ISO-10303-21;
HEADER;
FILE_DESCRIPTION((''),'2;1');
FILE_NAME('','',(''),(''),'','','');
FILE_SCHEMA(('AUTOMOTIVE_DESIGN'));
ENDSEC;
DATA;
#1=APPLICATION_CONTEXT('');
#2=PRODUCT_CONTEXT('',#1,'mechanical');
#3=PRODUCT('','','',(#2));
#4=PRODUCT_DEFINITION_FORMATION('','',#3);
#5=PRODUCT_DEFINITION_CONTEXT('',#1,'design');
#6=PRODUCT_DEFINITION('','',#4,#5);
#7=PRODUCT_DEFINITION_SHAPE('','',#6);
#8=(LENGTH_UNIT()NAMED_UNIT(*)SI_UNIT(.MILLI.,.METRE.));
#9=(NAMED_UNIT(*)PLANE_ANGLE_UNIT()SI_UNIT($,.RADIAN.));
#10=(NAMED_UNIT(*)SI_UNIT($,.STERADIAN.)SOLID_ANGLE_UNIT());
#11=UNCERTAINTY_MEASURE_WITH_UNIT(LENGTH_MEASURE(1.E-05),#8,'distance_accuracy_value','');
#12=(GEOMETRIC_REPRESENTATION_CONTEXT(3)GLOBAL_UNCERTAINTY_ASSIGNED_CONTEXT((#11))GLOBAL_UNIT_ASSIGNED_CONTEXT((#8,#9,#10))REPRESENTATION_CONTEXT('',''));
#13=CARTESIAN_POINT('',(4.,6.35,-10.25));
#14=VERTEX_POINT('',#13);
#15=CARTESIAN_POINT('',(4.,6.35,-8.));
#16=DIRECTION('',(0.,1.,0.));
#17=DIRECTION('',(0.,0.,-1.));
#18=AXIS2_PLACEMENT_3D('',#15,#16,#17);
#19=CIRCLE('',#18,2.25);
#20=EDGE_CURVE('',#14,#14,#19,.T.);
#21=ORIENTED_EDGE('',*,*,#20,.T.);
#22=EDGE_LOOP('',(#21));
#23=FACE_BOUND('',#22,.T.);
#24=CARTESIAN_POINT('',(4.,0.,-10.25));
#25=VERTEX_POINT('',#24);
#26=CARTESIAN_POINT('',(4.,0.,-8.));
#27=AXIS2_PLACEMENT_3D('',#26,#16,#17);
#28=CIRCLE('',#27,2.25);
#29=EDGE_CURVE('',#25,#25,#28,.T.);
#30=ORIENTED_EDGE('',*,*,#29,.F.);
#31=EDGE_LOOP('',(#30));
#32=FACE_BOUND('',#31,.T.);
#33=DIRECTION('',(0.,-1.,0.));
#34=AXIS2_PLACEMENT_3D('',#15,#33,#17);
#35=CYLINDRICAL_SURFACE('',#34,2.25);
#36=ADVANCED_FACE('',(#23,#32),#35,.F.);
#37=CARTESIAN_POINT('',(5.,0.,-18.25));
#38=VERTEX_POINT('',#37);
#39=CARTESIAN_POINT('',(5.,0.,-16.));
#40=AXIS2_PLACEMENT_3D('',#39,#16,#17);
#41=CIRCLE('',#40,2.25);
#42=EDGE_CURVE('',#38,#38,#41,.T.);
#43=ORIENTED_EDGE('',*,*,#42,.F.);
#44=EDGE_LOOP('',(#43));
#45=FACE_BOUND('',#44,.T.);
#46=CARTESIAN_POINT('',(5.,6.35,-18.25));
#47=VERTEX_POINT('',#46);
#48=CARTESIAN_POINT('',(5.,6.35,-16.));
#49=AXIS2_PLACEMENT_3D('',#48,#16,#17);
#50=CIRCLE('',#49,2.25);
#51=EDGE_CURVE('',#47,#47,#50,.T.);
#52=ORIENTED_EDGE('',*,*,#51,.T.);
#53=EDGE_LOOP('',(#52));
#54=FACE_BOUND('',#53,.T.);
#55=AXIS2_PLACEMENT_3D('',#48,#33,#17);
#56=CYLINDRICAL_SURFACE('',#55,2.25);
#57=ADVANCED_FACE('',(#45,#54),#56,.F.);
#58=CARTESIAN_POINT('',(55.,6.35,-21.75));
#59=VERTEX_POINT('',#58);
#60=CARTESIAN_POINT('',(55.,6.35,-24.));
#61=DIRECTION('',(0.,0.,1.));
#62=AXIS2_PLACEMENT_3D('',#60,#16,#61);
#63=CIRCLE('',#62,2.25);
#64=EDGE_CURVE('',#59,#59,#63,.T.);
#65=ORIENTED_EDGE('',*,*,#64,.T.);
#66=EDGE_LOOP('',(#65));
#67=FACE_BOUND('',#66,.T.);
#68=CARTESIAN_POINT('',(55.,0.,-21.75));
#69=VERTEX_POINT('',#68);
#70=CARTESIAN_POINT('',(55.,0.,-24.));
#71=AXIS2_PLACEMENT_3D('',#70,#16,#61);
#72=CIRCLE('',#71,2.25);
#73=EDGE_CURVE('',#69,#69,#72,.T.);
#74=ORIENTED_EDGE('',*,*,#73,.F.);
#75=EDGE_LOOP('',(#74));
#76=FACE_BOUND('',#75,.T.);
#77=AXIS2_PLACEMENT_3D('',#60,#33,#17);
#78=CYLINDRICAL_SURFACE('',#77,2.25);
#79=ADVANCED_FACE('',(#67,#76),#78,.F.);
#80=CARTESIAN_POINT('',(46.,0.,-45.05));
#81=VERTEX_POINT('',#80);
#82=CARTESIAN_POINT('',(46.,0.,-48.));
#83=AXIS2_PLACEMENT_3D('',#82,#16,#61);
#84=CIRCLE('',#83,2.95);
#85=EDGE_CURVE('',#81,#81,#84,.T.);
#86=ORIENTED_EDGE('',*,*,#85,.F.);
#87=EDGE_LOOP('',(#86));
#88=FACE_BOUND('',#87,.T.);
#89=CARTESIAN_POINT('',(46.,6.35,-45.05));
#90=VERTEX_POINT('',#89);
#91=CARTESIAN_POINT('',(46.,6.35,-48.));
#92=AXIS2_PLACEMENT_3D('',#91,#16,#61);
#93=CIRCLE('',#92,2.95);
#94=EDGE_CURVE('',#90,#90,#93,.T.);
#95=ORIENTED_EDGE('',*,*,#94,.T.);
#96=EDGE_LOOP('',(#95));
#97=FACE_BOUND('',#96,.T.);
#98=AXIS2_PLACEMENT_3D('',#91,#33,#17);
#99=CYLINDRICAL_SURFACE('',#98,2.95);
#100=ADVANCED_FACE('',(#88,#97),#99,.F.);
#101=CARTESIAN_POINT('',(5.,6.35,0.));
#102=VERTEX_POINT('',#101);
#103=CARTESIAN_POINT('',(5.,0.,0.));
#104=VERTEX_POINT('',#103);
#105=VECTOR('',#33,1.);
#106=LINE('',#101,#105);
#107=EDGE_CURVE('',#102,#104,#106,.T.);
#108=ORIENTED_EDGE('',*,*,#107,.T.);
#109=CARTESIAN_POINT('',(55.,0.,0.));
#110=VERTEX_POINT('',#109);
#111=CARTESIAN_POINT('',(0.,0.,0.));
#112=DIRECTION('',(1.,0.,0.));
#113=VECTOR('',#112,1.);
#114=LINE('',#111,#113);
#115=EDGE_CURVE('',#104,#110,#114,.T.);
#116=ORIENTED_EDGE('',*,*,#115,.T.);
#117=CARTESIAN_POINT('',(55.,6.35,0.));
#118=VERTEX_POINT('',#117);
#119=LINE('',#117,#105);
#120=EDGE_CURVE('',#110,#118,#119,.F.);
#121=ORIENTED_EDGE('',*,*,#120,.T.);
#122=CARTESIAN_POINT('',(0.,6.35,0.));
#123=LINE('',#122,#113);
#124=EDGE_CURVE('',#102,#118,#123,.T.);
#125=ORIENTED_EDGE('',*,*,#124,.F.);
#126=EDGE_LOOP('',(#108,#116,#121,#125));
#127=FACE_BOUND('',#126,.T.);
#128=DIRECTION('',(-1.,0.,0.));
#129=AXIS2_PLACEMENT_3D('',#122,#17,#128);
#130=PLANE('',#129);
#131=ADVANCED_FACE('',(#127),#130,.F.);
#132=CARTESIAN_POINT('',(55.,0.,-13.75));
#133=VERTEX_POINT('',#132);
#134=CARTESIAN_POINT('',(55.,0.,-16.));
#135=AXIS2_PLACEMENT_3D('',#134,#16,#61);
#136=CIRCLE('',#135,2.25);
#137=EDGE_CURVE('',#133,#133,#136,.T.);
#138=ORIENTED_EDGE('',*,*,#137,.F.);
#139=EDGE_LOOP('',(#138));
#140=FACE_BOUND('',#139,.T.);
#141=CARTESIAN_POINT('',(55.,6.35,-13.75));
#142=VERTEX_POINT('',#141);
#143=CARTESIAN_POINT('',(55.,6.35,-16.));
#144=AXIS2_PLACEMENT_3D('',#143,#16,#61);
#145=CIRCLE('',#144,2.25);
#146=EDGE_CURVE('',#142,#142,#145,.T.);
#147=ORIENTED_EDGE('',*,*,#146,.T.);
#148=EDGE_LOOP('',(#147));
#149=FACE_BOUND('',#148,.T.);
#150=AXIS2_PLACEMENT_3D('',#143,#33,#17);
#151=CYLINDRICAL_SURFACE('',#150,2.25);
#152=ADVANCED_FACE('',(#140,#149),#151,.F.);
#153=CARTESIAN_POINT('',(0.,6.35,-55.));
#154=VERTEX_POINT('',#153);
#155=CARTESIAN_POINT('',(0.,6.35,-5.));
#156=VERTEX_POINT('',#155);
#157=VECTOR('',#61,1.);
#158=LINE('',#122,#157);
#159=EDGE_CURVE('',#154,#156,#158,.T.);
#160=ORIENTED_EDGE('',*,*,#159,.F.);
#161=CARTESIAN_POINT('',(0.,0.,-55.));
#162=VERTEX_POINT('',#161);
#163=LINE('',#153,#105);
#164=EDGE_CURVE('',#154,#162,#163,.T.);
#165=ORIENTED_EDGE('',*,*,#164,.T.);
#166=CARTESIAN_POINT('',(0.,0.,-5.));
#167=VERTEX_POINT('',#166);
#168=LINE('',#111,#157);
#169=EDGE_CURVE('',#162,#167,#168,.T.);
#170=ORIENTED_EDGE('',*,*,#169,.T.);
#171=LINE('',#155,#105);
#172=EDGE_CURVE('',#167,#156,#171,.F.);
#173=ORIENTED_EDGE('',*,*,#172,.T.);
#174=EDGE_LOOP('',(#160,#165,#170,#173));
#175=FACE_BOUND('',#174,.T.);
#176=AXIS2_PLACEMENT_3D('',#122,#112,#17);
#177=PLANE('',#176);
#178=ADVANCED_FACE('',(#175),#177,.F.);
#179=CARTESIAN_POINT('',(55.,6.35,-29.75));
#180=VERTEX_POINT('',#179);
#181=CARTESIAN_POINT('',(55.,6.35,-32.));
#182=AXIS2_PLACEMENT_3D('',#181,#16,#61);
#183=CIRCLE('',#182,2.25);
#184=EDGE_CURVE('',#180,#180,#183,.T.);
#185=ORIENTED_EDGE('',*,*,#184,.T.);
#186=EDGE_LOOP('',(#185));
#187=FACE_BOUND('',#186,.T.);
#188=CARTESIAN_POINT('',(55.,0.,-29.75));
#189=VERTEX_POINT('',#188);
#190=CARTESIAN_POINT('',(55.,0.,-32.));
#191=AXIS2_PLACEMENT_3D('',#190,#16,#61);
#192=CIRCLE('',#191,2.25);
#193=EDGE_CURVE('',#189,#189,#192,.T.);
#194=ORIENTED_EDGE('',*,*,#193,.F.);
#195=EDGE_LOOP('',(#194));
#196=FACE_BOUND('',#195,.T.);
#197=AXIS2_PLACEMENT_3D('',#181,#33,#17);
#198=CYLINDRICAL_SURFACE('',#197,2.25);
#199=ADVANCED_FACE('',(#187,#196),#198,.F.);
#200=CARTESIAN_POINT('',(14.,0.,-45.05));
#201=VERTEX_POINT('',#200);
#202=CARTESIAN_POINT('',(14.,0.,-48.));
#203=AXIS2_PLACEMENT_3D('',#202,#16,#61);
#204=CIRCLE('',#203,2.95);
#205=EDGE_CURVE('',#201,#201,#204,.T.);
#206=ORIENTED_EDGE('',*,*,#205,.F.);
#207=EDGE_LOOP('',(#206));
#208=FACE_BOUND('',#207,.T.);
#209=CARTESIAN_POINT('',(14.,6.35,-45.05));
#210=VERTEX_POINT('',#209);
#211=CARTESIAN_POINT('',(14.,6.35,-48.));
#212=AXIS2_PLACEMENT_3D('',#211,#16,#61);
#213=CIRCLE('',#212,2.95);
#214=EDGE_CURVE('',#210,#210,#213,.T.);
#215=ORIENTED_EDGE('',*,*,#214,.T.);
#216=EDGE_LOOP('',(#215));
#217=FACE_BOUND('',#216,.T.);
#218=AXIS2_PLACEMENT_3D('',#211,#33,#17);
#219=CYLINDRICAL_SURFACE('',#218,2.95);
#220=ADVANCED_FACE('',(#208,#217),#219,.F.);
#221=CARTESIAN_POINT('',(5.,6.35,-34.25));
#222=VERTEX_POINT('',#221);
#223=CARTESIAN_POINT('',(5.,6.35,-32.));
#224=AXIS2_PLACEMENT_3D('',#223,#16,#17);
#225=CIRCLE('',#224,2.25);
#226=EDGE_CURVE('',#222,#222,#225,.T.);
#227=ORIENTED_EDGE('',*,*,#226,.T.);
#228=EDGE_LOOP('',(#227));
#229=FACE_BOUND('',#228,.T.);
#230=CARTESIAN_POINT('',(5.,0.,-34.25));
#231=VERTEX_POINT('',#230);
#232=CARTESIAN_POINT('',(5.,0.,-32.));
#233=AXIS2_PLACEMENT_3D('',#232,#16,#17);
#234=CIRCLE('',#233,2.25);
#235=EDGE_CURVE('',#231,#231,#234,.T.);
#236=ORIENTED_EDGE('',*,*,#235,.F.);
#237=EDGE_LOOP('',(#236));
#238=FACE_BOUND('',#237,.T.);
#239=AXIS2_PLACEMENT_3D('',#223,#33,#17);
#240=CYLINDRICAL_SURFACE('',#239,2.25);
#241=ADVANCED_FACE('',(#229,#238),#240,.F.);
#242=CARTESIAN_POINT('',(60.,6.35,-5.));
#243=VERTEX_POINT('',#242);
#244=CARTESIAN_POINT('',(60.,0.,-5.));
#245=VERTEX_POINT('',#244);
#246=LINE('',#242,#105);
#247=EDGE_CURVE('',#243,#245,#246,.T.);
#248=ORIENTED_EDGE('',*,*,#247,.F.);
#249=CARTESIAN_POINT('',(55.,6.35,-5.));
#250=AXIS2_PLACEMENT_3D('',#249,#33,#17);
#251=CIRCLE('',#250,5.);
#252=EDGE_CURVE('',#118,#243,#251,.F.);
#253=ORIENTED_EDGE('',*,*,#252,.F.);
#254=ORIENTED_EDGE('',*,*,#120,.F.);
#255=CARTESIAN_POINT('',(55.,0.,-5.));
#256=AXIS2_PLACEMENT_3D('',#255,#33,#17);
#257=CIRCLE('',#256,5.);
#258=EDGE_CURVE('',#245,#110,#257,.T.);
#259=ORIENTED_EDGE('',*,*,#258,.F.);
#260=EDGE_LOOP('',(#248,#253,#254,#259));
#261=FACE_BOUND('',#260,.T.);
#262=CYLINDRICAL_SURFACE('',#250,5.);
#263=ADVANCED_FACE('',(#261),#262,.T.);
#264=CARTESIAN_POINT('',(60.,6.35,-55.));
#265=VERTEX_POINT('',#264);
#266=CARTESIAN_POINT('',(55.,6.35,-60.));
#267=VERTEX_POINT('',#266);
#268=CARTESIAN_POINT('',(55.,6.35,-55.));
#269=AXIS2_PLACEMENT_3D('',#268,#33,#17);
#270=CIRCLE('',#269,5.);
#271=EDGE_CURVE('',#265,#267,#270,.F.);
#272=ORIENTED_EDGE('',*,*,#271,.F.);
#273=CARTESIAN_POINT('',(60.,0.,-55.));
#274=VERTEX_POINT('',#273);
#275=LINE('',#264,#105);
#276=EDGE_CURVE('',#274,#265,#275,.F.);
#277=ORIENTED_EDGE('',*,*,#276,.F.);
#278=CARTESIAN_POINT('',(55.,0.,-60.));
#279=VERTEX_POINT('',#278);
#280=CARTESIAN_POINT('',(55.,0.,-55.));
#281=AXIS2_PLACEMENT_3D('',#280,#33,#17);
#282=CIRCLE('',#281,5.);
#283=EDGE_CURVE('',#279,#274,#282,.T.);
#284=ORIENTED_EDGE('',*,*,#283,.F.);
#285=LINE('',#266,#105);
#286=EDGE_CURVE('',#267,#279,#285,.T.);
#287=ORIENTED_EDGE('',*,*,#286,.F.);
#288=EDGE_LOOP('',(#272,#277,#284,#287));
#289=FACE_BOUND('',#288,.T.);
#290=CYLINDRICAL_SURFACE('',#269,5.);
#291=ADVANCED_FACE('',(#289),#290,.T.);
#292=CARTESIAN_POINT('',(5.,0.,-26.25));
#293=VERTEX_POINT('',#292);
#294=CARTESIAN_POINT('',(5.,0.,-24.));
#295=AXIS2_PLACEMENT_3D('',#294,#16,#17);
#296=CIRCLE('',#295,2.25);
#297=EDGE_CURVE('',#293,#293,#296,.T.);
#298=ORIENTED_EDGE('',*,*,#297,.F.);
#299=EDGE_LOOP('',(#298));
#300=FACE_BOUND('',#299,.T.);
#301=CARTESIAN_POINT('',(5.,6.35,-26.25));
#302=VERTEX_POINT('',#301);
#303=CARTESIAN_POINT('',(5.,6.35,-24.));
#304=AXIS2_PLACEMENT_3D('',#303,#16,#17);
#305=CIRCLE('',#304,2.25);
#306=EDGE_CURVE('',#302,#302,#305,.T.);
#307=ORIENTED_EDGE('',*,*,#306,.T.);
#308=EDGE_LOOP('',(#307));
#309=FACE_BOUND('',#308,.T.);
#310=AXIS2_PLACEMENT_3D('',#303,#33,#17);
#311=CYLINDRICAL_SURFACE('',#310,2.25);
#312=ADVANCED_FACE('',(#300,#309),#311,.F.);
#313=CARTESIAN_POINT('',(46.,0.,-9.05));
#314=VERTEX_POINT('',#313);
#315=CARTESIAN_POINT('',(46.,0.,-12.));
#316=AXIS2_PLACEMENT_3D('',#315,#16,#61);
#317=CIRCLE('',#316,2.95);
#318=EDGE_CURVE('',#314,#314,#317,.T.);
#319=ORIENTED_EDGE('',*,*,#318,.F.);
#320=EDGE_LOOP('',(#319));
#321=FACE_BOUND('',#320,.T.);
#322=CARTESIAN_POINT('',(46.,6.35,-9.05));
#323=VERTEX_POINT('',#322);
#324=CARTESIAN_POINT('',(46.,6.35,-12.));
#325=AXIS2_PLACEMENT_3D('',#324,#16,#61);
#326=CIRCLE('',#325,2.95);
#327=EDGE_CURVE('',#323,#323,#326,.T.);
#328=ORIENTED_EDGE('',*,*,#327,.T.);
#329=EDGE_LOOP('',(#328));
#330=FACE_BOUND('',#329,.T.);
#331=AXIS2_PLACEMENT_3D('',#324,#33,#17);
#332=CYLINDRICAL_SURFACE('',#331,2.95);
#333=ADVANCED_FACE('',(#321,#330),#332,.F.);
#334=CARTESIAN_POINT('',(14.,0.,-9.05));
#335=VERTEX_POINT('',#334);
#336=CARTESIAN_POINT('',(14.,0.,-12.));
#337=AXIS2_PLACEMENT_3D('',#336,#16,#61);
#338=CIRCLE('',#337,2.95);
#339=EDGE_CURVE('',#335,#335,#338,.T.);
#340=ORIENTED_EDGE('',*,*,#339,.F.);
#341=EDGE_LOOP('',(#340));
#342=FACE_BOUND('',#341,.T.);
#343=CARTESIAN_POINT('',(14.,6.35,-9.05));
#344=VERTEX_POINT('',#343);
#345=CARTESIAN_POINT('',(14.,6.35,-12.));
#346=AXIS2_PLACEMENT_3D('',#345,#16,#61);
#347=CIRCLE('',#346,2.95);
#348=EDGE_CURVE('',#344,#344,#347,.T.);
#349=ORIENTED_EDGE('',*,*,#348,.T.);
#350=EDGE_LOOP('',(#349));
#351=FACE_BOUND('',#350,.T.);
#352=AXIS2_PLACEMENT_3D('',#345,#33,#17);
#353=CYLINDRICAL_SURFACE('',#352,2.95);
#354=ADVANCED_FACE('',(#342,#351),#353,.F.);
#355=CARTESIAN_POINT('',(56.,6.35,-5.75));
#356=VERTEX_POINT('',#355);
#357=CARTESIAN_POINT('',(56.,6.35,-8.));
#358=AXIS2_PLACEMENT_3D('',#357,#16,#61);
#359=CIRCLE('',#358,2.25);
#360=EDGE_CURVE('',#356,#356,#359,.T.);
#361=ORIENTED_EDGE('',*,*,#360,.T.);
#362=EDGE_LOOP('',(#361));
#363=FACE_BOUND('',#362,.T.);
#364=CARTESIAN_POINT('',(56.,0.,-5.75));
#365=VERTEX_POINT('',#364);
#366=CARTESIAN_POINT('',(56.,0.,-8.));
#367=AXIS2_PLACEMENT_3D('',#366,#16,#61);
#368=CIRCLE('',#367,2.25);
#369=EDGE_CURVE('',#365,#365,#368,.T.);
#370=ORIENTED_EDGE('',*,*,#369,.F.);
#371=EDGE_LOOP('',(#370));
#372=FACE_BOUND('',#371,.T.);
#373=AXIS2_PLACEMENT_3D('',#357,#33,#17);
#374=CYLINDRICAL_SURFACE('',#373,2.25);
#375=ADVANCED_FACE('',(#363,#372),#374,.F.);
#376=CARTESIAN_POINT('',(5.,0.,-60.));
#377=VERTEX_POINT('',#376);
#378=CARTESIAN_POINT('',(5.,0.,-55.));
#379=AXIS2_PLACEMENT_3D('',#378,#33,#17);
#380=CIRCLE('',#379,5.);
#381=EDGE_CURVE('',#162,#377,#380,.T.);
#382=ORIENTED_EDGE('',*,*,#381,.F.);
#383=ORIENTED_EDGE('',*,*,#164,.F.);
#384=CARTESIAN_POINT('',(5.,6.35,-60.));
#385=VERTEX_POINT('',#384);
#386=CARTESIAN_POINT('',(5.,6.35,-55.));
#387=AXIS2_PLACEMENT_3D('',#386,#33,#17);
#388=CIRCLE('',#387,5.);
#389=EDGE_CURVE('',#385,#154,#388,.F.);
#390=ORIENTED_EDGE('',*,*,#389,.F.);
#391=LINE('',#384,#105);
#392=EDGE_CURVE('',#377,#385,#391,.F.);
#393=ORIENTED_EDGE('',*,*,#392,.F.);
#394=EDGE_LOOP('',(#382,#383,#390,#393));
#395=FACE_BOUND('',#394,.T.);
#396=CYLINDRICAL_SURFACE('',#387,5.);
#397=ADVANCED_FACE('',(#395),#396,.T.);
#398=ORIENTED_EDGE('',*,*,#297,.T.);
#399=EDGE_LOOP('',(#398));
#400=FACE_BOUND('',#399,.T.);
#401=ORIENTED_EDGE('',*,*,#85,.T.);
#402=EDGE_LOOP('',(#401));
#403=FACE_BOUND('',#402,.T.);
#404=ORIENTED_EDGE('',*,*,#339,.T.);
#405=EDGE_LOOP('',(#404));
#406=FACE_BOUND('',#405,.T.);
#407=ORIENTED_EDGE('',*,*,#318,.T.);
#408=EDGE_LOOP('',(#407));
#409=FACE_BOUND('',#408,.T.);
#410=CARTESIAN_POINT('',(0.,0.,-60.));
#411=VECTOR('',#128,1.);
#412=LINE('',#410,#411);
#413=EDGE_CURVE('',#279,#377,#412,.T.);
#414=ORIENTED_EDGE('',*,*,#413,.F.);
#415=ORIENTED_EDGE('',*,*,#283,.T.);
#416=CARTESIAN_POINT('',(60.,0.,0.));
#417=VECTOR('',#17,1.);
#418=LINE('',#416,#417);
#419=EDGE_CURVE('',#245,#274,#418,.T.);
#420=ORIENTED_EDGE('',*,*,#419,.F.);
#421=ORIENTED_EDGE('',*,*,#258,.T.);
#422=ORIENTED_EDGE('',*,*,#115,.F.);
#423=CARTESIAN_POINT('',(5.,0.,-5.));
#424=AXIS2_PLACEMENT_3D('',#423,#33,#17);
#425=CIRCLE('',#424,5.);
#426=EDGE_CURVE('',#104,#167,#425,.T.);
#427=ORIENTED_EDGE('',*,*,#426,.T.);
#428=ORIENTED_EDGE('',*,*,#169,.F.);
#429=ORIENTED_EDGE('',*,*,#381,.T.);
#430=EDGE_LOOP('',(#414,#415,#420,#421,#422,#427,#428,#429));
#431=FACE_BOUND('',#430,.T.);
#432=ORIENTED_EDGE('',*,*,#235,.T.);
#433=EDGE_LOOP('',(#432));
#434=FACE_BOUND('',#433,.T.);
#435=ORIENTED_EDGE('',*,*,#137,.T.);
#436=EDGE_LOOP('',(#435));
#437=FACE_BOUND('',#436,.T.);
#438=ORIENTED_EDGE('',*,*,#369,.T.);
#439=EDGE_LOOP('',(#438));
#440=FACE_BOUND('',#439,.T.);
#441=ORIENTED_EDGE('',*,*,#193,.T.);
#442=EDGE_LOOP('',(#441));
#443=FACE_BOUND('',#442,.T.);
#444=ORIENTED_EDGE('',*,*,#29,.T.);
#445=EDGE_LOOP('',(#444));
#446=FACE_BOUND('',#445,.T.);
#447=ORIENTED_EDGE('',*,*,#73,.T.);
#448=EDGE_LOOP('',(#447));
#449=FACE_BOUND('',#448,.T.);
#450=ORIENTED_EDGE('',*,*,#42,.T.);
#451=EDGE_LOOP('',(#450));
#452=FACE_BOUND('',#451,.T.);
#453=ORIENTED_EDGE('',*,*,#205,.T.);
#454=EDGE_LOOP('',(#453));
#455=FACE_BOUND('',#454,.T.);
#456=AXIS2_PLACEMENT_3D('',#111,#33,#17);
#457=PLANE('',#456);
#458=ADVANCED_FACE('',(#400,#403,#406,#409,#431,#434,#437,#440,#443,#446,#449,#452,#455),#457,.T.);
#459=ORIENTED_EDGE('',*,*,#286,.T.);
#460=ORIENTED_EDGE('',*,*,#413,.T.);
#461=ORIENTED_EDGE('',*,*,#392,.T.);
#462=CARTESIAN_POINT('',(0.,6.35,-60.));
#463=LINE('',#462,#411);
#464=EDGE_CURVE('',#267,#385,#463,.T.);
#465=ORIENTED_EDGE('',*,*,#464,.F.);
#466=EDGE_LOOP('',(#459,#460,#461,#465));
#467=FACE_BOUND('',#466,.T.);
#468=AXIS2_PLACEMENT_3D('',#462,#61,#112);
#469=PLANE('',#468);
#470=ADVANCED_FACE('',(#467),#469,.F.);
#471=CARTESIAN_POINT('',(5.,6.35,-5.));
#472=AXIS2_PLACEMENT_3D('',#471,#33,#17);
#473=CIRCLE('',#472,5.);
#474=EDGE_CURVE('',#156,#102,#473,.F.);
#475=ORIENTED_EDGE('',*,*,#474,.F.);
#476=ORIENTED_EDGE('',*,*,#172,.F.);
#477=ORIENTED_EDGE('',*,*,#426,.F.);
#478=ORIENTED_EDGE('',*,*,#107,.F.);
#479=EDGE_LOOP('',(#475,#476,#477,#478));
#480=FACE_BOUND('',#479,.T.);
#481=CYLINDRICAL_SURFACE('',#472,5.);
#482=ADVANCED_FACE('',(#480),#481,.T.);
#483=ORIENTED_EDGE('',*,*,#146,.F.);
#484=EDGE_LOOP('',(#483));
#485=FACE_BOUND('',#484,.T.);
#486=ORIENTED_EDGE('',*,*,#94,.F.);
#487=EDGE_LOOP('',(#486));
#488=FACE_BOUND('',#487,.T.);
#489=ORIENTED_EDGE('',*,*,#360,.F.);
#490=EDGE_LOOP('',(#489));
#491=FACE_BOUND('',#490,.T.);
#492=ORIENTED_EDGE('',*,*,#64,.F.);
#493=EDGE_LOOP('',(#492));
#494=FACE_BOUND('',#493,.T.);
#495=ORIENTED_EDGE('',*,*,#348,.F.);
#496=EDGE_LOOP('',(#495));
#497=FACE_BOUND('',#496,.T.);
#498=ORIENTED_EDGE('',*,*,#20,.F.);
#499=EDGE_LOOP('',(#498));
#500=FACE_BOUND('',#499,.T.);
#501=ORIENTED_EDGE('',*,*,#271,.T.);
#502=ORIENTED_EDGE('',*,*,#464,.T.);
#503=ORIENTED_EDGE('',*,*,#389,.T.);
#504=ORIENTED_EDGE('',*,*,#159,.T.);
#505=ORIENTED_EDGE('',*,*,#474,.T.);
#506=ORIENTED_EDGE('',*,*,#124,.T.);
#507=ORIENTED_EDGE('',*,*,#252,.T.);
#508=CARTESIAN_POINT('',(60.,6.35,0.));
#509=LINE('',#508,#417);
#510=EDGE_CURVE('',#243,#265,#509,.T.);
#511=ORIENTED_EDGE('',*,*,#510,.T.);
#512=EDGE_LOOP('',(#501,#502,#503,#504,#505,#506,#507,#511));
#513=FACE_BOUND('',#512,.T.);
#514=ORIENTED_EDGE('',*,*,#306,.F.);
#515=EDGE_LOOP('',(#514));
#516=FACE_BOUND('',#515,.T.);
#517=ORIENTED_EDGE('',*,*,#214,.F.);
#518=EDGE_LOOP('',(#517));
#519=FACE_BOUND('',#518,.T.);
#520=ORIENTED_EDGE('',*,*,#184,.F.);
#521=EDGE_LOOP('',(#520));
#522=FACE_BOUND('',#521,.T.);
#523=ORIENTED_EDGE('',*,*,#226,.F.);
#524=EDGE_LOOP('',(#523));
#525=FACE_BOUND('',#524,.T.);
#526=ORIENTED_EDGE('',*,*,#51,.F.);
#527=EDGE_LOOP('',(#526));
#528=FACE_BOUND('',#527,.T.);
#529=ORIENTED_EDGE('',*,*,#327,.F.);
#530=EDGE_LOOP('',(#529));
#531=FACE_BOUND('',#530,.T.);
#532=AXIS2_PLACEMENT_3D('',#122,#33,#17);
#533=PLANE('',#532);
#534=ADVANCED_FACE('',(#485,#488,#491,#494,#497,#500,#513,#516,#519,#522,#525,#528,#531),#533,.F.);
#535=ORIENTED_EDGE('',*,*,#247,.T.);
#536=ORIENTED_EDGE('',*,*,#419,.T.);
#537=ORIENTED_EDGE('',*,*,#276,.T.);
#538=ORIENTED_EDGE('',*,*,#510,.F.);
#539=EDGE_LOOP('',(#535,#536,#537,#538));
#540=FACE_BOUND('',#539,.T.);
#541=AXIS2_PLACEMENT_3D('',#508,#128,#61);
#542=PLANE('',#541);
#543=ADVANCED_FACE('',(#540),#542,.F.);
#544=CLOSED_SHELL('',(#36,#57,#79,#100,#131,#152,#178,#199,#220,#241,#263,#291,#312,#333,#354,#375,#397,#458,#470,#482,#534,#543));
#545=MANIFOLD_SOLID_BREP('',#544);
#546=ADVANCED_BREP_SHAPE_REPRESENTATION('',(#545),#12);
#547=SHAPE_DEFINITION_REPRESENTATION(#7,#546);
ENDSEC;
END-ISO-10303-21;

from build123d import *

# Parameters (mm, degrees)
SKETCH1_W           = 60
SKETCH1_H           = 60
SKETCH1_R           = 2.95
SKETCH1_R_2         = 2.25
BOSS_EXTRUDE1_DEPTH = 6.35
FILLET1_R           = 5


with BuildPart() as part:
    # Sketch1 → Boss-Extrude1 (new body)
    with BuildSketch(Plane(origin=(0, 0, 0), x_dir=(1, 0, 0), z_dir=(0, 1, 0))):
        with Locations((30, 30)):
            Rectangle(SKETCH1_W, SKETCH1_H)
        with Locations(Location((14, 48, 0), (0, 0, 270))):
            Circle(SKETCH1_R, mode=Mode.SUBTRACT)
        with Locations(Location((46, 48, 0), (0, 0, 270))):
            Circle(SKETCH1_R, mode=Mode.SUBTRACT)
        with Locations(Location((46, 12, 0), (0, 0, 270))):
            Circle(SKETCH1_R, mode=Mode.SUBTRACT)
        with Locations(Location((14, 12, 0), (0, 0, 270))):
            Circle(SKETCH1_R, mode=Mode.SUBTRACT)
        with Locations(Location((56, 8, 0), (0, 0, 270))):
            Circle(SKETCH1_R_2, mode=Mode.SUBTRACT)
        with Locations(Location((4, 8, 0), (0, 0, 90))):
            Circle(SKETCH1_R_2, mode=Mode.SUBTRACT)
        with Locations(Location((55, 16, 0), (0, 0, 270))):
            Circle(SKETCH1_R_2, mode=Mode.SUBTRACT)
        with Locations(Location((55, 24, 0), (0, 0, 270))):
            Circle(SKETCH1_R_2, mode=Mode.SUBTRACT)
        with Locations(Location((55, 32, 0), (0, 0, 270))):
            Circle(SKETCH1_R_2, mode=Mode.SUBTRACT)
        with Locations(Location((5, 32, 0), (0, 0, 90))):
            Circle(SKETCH1_R_2, mode=Mode.SUBTRACT)
        with Locations(Location((5, 24, 0), (0, 0, 90))):
            Circle(SKETCH1_R_2, mode=Mode.SUBTRACT)
        with Locations(Location((5, 16, 0), (0, 0, 90))):
            Circle(SKETCH1_R_2, mode=Mode.SUBTRACT)
    extrude(amount=BOSS_EXTRUDE1_DEPTH)

    # Fillet1
    fillet1_edges = [part.edges().sort_by_distance(p)[0] for p in [
        (0, 3.175, -60),
        (60, 3.175, -60),
        (60, 3.175, 0),
        (0, 3.175, 0),
    ]]
    fillet(fillet1_edges, radius=FILLET1_R)


solid = part.part
